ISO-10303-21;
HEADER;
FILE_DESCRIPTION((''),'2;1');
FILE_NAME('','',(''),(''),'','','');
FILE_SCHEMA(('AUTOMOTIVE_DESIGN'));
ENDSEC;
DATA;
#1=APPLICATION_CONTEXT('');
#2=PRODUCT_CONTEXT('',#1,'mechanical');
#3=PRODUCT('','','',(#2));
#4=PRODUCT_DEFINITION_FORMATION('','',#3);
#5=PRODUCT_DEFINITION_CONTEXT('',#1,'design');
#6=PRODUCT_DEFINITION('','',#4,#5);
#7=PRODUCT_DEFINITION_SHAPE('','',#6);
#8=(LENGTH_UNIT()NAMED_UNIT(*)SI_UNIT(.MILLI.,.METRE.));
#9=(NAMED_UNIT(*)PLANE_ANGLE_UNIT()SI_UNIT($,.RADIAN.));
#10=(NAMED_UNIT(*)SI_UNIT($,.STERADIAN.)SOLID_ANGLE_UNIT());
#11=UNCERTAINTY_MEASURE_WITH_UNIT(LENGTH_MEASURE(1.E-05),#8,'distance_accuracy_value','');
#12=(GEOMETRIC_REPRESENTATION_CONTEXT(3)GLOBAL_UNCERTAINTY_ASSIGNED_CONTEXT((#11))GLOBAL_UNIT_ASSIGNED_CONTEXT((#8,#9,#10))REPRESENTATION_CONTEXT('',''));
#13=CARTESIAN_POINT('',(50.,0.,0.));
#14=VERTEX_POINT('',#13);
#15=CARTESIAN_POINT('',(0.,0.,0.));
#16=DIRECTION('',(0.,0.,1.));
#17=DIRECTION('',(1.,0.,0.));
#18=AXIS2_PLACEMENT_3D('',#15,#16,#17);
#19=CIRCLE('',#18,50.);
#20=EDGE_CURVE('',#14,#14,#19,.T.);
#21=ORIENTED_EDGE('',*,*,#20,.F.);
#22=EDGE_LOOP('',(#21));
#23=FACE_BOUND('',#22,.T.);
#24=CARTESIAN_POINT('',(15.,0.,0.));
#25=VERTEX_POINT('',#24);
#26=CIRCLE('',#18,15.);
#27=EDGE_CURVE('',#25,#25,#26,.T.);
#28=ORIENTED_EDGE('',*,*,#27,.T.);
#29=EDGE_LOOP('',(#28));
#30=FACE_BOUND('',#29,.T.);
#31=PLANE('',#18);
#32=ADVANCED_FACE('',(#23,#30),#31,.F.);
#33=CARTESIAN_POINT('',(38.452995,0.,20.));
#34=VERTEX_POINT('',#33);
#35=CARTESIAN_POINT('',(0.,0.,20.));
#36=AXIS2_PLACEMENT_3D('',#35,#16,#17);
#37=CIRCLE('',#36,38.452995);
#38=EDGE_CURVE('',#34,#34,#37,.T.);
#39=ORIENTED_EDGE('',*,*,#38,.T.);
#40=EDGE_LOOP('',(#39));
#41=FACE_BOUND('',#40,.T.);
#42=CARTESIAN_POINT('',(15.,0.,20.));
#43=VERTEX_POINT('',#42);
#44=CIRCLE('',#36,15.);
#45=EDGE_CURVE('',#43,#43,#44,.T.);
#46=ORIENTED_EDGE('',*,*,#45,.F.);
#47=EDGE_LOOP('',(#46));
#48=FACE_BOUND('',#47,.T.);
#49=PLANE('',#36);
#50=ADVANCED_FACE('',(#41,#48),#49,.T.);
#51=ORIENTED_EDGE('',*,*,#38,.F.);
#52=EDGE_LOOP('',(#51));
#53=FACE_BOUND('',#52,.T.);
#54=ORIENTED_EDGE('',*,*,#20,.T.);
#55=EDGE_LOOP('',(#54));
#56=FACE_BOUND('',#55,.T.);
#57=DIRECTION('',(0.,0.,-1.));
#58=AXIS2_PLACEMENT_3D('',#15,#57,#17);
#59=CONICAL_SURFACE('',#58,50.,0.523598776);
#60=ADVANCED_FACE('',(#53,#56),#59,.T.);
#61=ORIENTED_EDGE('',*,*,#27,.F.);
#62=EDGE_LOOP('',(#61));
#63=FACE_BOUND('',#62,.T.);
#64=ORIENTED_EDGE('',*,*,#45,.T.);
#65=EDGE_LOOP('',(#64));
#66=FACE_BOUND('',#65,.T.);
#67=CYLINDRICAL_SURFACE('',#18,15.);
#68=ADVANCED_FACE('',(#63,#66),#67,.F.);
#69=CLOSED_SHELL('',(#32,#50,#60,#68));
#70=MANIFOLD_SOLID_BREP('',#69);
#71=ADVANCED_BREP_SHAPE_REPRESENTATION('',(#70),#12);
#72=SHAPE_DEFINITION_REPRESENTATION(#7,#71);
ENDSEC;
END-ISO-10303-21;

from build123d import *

# Parameters (mm, degrees)
SKETCH1_R           = 50
BOSS_EXTRUDE1_DEPTH = 20
BOSS_EXTRUDE1_TAPER = 30
SKETCH3_R           = 15
CUT_EXTRUDE2_DEPTH  = 74.484692283


with BuildPart() as part:
    # Sketch1 → Boss-Extrude1 (new body)
    with BuildSketch(Plane(origin=(0, 0, 0), x_dir=(0, 1, 0), z_dir=(0, 0, 1))):
        Circle(SKETCH1_R)
    extrude(amount=BOSS_EXTRUDE1_DEPTH, taper=BOSS_EXTRUDE1_TAPER)

    # Sketch3 → Cut-Extrude2 (cut, through all)
    with BuildSketch(Plane.XY.offset(20)):
        Circle(SKETCH3_R)
    extrude(amount=-CUT_EXTRUDE2_DEPTH, mode=Mode.SUBTRACT)


solid = part.part
